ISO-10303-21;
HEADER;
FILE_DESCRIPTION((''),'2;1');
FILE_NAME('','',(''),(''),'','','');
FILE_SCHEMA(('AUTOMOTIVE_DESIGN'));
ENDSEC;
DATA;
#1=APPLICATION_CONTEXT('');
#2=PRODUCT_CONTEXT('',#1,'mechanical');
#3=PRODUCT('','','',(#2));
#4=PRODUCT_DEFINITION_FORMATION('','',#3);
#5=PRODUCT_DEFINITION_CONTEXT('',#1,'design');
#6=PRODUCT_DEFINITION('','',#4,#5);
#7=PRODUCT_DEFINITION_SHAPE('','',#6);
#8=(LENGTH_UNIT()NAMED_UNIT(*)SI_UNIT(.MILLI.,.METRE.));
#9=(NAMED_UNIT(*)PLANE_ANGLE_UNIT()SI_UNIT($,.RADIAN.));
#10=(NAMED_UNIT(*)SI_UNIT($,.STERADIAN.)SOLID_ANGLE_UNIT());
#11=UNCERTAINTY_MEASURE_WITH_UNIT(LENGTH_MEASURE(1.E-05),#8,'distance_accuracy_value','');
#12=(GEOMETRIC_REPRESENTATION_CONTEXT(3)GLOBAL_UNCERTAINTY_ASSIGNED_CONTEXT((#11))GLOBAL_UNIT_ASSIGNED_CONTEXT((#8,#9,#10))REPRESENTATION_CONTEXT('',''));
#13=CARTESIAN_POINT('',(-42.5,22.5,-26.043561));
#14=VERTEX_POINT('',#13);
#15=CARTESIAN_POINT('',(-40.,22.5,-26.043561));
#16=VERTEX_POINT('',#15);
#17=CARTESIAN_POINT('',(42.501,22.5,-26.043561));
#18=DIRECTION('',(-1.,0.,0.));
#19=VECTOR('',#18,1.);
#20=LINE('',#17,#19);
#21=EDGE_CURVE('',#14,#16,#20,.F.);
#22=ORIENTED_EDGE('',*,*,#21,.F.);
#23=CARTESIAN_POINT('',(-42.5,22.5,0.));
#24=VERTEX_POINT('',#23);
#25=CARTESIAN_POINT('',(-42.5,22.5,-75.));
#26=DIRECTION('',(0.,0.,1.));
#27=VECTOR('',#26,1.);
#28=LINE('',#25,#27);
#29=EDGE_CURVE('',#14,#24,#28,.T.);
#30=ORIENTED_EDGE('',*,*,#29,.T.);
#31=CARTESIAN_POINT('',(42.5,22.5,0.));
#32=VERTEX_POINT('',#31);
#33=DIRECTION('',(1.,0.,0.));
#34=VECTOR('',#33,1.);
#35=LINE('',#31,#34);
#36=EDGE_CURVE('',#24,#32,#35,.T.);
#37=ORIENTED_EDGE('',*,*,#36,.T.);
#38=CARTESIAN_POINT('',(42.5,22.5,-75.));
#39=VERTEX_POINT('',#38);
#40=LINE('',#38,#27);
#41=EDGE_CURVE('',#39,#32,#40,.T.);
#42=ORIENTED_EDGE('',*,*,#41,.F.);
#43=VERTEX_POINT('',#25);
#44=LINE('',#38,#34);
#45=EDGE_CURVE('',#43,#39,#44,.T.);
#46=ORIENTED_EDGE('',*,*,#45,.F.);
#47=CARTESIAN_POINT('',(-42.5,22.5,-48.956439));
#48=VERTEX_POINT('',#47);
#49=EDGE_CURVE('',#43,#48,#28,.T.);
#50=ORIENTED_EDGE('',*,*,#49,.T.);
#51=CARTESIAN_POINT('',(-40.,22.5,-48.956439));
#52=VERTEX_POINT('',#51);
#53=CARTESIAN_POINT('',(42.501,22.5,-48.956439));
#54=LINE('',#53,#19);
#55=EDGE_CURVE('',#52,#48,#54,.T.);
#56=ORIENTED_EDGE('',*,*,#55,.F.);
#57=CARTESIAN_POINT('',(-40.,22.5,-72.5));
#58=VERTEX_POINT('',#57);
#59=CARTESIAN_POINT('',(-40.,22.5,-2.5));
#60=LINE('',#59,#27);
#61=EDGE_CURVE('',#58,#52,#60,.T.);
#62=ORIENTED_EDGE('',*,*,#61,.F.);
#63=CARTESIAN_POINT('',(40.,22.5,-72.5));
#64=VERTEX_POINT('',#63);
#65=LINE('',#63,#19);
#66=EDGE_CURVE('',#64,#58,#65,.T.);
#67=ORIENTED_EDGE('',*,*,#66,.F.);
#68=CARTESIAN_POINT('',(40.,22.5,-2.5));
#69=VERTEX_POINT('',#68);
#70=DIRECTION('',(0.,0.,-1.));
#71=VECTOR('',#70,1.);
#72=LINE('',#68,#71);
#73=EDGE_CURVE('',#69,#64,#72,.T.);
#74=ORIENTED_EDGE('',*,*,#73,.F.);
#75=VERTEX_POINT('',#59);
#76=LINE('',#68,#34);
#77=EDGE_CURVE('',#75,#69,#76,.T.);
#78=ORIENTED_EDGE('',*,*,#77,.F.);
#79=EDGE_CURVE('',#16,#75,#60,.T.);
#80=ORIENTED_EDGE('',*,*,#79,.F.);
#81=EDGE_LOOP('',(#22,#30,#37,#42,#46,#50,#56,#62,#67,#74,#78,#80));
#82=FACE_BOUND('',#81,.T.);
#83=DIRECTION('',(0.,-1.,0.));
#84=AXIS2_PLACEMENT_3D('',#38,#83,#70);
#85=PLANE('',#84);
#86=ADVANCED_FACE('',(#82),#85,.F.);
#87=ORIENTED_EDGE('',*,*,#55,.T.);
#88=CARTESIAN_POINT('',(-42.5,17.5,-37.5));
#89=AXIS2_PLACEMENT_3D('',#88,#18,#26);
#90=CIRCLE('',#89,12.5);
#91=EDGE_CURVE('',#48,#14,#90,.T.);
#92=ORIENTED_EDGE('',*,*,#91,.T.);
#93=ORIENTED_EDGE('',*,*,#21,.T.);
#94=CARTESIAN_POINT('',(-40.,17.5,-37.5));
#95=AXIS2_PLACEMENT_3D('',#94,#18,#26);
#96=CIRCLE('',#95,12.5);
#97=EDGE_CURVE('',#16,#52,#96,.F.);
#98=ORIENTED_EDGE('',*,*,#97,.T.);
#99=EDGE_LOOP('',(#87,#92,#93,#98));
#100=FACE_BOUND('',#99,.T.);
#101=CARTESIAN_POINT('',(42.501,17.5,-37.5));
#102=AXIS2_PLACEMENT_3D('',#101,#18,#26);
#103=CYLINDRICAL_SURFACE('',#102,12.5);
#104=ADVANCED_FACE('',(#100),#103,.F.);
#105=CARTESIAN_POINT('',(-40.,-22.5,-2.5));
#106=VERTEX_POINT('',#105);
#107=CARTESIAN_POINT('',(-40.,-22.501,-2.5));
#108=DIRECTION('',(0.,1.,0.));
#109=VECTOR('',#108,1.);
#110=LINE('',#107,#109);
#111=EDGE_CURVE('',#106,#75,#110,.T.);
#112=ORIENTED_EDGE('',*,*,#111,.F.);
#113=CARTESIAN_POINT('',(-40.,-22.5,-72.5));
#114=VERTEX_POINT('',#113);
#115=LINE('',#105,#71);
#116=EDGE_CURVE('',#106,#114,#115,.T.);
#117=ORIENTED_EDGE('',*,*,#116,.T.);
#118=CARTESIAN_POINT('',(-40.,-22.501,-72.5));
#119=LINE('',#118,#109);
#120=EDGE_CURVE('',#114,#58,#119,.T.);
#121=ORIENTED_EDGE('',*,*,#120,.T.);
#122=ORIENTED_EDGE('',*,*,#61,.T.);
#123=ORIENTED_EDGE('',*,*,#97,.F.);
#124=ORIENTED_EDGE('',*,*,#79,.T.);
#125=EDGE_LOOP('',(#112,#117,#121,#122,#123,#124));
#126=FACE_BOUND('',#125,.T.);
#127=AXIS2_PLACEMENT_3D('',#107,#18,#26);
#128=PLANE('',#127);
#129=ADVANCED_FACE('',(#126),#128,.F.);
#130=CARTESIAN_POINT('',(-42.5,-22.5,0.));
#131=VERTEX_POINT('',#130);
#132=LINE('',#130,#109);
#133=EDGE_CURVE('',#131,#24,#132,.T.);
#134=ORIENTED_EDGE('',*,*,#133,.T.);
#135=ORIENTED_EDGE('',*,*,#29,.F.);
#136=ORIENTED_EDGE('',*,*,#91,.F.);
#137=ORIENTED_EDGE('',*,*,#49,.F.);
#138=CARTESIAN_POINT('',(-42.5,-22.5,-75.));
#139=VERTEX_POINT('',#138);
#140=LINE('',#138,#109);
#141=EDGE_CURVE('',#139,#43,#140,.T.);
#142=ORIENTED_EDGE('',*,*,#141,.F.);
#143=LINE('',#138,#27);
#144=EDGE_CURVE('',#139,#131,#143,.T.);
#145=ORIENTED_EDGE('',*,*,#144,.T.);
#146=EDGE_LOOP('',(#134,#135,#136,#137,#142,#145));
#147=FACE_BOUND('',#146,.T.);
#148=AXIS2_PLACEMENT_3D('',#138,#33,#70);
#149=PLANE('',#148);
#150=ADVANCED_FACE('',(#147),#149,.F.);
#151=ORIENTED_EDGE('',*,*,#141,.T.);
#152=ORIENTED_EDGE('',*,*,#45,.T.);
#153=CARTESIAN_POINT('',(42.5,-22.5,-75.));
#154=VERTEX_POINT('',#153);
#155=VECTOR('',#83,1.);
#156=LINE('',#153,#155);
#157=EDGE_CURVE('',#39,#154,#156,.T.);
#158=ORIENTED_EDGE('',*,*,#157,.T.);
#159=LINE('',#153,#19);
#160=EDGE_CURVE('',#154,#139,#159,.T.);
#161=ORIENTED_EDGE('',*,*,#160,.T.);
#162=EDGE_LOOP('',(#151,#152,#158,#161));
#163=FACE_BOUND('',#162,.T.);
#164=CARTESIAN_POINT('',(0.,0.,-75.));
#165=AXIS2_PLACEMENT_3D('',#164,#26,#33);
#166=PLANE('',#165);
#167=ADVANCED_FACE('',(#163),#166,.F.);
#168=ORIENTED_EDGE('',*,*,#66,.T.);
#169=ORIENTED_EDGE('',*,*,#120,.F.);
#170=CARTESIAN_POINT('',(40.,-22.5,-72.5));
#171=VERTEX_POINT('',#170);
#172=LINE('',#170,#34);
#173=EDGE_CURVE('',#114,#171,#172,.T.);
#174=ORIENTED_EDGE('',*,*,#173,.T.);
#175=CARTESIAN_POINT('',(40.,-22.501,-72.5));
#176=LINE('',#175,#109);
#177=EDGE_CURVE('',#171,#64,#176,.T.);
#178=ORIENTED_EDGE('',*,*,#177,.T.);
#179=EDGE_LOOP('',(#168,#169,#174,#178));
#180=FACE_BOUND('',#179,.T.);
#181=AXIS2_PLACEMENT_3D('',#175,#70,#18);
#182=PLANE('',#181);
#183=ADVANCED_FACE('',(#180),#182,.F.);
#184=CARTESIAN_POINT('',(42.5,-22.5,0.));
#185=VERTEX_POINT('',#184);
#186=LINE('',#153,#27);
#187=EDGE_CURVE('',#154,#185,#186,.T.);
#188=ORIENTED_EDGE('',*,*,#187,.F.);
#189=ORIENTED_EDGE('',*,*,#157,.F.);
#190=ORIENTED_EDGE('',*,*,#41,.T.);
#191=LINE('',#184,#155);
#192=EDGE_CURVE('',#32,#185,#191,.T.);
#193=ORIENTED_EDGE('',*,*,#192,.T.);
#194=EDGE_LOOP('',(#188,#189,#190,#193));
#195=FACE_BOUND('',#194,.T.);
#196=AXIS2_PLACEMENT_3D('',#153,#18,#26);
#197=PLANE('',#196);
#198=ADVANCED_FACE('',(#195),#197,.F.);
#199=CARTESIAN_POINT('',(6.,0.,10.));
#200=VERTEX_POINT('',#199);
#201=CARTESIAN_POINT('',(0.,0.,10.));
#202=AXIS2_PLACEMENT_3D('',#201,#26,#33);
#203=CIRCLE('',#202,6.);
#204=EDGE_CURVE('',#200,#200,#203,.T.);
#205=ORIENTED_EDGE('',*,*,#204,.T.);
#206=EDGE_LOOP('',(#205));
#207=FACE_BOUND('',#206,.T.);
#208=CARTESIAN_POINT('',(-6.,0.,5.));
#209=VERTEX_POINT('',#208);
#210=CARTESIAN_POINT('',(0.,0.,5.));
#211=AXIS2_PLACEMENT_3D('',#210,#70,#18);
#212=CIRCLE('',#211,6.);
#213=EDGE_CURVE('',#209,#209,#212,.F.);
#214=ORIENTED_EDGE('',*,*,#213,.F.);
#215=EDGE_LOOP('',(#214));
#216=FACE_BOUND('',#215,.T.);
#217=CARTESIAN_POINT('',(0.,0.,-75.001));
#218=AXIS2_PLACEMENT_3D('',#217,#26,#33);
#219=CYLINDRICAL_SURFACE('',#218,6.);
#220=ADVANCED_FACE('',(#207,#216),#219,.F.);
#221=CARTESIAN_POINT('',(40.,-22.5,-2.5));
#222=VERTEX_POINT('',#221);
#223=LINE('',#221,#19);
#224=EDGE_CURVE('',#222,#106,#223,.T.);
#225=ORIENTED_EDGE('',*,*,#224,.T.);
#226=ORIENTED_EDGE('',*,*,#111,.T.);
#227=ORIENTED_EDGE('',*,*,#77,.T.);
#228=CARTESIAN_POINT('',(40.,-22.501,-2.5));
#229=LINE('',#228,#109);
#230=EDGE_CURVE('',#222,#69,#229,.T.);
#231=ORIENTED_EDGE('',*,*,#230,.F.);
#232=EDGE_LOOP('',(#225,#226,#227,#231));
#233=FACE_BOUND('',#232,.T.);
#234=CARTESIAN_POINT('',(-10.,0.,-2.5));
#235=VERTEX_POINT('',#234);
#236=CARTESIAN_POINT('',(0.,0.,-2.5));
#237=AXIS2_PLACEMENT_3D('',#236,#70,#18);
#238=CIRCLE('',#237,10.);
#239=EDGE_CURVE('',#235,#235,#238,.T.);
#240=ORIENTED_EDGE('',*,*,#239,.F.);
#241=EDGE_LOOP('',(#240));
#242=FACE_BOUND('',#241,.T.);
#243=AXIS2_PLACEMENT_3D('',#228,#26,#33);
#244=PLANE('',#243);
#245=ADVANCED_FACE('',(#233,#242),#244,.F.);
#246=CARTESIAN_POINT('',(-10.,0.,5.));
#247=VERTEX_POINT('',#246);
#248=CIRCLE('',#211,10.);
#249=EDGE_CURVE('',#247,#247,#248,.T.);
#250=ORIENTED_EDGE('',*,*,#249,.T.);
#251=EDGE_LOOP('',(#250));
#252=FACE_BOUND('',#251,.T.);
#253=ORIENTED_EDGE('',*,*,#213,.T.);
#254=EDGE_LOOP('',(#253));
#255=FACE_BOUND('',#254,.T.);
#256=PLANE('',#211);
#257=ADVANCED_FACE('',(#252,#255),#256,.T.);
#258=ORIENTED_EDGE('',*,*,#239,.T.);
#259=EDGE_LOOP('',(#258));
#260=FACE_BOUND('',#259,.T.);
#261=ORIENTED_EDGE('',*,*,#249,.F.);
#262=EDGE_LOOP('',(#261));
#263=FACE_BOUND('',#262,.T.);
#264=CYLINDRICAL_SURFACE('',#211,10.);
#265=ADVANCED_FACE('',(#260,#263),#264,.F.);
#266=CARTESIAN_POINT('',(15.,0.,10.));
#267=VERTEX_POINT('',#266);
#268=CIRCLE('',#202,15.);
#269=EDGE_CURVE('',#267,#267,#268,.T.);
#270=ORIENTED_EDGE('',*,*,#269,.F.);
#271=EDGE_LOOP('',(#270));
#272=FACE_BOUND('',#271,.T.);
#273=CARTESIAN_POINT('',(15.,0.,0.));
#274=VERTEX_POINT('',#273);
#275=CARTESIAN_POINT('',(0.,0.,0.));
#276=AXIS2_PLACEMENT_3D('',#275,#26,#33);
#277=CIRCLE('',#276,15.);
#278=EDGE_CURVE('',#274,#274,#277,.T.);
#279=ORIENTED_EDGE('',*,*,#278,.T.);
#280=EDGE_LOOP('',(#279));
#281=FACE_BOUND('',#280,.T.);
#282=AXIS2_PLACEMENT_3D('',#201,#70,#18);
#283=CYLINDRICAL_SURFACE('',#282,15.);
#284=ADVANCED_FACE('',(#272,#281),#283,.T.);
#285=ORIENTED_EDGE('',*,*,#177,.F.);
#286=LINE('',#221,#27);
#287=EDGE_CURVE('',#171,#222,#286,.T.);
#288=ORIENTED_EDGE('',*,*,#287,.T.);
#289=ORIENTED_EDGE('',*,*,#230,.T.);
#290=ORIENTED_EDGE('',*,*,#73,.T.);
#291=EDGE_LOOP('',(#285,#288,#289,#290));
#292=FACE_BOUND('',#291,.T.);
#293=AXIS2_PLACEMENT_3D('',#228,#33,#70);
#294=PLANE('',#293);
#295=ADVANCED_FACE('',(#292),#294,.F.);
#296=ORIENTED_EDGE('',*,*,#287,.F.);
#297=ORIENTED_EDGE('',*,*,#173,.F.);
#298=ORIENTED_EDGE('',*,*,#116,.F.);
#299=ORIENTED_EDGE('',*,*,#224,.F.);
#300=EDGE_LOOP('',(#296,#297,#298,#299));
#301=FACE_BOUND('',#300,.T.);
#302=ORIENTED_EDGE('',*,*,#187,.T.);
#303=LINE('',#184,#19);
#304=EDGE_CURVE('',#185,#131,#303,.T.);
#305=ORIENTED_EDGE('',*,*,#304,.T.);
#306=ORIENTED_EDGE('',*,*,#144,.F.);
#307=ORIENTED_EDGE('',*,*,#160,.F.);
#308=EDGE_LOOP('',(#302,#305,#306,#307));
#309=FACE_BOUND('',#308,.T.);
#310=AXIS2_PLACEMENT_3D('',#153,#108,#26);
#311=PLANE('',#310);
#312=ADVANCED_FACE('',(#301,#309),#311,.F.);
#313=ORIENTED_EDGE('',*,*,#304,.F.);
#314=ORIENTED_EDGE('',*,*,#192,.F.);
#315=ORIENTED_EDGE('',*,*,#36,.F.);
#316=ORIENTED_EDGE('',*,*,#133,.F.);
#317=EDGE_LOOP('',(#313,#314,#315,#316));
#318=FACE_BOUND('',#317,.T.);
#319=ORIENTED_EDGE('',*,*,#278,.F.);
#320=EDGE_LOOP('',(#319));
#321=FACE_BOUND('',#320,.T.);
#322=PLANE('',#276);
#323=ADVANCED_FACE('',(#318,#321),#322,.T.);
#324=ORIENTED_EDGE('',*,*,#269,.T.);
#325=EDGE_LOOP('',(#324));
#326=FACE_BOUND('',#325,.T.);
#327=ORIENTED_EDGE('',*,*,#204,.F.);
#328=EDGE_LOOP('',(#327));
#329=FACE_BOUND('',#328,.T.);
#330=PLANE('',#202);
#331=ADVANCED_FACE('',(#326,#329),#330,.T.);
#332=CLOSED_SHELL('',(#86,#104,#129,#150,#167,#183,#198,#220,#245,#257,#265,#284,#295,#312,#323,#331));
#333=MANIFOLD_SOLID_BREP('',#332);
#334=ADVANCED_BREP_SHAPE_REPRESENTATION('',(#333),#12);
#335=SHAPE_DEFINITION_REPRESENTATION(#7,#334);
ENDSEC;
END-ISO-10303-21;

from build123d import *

# Parameters (mm, degrees)
SKETCH2_R           = 15
BOSS_EXTRUDE1_DEPTH = 10
SKETCH4_W           = 85
SKETCH4_H           = 45
BOSS_EXTRUDE2_DEPTH = 75
CUT_EXTRUDE3_REACH  = 47
SKETCH5_W           = 80
SKETCH5_H           = 70
CUT_EXTRUDE1_REACH  = 87
SKETCH3_R           = 6
SKETCH6_R           = 10
CUT_EXTRUDE4_DEPTH  = 7.5
CUT_EXTRUDE5_REACH  = 87
SKETCH7_R           = 12.5


with BuildPart() as part:
    # Sketch2 → Boss-Extrude1 (new body)
    with BuildSketch(Plane.XY):
        Circle(SKETCH2_R)
    extrude(amount=BOSS_EXTRUDE1_DEPTH)

    # Sketch4 → Boss-Extrude2 (add)
    with BuildSketch(Plane(origin=(0, 0, 0), x_dir=(-1, 0, 0), z_dir=(0, 0, -1))):
        Rectangle(SKETCH4_W, SKETCH4_H)
    extrude(amount=BOSS_EXTRUDE2_DEPTH)

    # Sketch5 → Cut-Extrude3 (cut, up to next)
    with BuildSketch(Plane(origin=(0, 22.5, 0), x_dir=(1, 0, 0), z_dir=(0, 1, 0)), mode=Mode.PRIVATE) as cut_extrude3_sk1:
        with Locations((0, 37.5)):
            Rectangle(SKETCH5_W, SKETCH5_H)
    cut_extrude3_tool1 = extrude(cut_extrude3_sk1.sketch, amount=-CUT_EXTRUDE3_REACH, mode=Mode.PRIVATE) & part.part
    add(cut_extrude3_tool1.solids().sort_by_distance((0, 22.5, -37.5))[0], mode=Mode.SUBTRACT)

    # Sketch3 → Cut-Extrude1 (cut, up to next)
    with BuildSketch(Plane.XY.offset(10), mode=Mode.PRIVATE) as cut_extrude1_sk1:
        Circle(SKETCH3_R)
    cut_extrude1_tool1 = extrude(cut_extrude1_sk1.sketch, amount=-CUT_EXTRUDE1_REACH, mode=Mode.PRIVATE) & part.part
    add(cut_extrude1_tool1.solids().sort_by_distance((0, 0, 10))[0], mode=Mode.SUBTRACT)

    # Sketch6 → Cut-Extrude4 (cut)
    with BuildSketch(Plane(origin=(0, 0, -2.5), x_dir=(-1, 0, 0), z_dir=(0, 0, -1))):
        Circle(SKETCH6_R)
    extrude(amount=-CUT_EXTRUDE4_DEPTH, mode=Mode.SUBTRACT)

    # Sketch7 → Cut-Extrude5 (cut, up to next)
    with BuildSketch(Plane.ZY.offset(42.5), mode=Mode.PRIVATE) as cut_extrude5_sk1:
        with Locations((-37.5, 17.5)):
            Circle(SKETCH7_R)
    cut_extrude5_tool1 = extrude(cut_extrude5_sk1.sketch, amount=-CUT_EXTRUDE5_REACH, mode=Mode.PRIVATE) & part.part
    add(cut_extrude5_tool1.solids().sort_by_distance((-42.5, 17.5, -37.5))[0], mode=Mode.SUBTRACT)


solid = part.part
